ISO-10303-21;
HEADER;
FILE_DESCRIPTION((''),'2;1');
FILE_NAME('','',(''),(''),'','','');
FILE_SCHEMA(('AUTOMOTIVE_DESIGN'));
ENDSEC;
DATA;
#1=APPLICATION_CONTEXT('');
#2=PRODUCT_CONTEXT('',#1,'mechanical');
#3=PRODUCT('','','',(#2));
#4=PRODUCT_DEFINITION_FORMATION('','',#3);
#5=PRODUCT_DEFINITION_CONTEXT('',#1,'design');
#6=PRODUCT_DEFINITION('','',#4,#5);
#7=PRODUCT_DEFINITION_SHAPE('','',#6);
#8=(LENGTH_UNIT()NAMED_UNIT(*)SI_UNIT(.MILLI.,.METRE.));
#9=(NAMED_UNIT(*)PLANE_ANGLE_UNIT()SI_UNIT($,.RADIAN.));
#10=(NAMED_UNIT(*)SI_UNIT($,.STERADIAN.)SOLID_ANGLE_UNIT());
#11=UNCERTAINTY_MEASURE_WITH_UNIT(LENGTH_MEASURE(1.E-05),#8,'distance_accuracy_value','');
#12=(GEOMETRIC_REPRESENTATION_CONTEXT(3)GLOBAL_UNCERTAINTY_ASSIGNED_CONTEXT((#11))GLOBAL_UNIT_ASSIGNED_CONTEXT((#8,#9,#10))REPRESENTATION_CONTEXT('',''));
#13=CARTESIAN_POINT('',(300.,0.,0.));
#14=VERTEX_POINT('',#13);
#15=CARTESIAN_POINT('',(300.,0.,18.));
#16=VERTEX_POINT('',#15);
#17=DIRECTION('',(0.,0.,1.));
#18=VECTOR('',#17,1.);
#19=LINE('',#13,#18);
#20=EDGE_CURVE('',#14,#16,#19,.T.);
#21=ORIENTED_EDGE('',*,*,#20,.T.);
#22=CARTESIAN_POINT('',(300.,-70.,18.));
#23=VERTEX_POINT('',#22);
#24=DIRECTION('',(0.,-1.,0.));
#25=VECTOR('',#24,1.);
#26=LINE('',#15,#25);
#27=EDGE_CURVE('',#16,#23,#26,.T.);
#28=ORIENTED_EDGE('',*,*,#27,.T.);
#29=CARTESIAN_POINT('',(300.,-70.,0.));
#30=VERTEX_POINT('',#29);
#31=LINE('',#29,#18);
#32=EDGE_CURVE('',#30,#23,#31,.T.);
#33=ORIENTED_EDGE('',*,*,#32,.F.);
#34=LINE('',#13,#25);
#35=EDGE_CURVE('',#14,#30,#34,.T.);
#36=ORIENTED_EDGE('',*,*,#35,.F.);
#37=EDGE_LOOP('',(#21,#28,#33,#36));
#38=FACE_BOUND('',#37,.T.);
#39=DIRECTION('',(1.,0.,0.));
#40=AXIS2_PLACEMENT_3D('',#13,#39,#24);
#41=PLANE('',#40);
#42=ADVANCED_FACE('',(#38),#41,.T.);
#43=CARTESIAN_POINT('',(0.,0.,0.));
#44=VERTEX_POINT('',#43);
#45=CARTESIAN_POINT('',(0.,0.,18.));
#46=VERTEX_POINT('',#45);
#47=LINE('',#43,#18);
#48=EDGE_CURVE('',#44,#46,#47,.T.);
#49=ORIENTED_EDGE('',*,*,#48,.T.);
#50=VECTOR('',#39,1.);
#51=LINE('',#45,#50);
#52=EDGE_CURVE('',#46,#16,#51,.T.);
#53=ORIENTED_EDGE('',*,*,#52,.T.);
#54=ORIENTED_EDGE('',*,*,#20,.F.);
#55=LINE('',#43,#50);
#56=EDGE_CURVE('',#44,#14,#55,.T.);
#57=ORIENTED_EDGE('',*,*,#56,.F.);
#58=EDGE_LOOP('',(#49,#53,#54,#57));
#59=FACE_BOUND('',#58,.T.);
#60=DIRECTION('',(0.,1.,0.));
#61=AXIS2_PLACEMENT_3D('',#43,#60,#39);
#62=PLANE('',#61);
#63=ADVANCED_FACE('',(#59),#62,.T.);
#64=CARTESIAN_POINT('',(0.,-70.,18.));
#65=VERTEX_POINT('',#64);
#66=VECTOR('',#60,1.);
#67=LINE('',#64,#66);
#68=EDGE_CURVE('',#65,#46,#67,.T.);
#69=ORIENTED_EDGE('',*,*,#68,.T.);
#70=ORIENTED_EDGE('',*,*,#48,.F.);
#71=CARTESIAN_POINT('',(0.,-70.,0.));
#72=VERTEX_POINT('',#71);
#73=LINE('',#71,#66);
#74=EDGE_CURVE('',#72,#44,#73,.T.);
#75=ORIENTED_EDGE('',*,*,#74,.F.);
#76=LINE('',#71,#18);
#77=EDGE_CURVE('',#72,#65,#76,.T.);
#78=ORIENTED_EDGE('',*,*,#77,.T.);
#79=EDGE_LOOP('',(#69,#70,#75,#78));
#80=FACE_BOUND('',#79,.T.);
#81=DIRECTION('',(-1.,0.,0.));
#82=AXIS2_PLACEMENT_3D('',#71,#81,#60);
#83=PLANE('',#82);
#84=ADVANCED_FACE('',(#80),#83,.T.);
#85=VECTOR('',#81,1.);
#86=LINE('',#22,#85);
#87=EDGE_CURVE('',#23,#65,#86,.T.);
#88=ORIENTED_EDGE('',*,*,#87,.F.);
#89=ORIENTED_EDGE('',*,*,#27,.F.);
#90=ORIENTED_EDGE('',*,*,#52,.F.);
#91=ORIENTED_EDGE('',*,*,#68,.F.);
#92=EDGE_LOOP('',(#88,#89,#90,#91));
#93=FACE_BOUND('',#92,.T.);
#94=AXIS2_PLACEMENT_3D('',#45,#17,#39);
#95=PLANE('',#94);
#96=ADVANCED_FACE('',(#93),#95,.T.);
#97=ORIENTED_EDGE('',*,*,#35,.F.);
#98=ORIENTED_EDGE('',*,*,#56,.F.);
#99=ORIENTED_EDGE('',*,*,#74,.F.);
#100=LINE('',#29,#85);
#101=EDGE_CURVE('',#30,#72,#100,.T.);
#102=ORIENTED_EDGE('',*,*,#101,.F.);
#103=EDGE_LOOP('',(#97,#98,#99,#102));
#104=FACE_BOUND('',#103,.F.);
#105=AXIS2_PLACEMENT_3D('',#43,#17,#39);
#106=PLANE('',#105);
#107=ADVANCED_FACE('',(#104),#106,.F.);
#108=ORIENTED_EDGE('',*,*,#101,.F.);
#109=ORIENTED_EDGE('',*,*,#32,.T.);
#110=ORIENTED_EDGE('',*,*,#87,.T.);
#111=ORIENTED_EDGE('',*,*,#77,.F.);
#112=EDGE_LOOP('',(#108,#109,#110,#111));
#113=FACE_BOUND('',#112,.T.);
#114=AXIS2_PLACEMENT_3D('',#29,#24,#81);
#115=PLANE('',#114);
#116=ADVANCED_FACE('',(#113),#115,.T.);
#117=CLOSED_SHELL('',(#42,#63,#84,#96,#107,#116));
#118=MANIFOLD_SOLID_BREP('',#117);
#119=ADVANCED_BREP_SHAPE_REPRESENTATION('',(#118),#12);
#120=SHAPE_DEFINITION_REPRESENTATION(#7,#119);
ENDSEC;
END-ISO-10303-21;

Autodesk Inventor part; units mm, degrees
ref_plane "YZ Plane" through (0, 0, 0) normal (1, 0, 0) x (0, 1, 0)
ref_plane "XZ Plane" through (0, 0, 0) normal (0, 1, 0) x (-1, 0, 0)
ref_plane "XY Plane" through (0, 0, 0) normal (0, 0, 1) x (1, 0, 0)
sketch "Boceto1" plane through (0, 0, 0) normal (0, 0, 1) x (1, 0, 0)
  line L0 (0, 0) -> (300, 0)
  line L1 (300, 0) -> (300, -70)
  line L2 (300, -70) -> (0, -70)
  line L3 (0, -70) -> (0, 0)
  dimension "d0" = 300
  dimension "d1" = 70
extrude "Extrusión1" add sketch "Boceto1" along normal blind 18
properties part number "007" material "GFRC"
